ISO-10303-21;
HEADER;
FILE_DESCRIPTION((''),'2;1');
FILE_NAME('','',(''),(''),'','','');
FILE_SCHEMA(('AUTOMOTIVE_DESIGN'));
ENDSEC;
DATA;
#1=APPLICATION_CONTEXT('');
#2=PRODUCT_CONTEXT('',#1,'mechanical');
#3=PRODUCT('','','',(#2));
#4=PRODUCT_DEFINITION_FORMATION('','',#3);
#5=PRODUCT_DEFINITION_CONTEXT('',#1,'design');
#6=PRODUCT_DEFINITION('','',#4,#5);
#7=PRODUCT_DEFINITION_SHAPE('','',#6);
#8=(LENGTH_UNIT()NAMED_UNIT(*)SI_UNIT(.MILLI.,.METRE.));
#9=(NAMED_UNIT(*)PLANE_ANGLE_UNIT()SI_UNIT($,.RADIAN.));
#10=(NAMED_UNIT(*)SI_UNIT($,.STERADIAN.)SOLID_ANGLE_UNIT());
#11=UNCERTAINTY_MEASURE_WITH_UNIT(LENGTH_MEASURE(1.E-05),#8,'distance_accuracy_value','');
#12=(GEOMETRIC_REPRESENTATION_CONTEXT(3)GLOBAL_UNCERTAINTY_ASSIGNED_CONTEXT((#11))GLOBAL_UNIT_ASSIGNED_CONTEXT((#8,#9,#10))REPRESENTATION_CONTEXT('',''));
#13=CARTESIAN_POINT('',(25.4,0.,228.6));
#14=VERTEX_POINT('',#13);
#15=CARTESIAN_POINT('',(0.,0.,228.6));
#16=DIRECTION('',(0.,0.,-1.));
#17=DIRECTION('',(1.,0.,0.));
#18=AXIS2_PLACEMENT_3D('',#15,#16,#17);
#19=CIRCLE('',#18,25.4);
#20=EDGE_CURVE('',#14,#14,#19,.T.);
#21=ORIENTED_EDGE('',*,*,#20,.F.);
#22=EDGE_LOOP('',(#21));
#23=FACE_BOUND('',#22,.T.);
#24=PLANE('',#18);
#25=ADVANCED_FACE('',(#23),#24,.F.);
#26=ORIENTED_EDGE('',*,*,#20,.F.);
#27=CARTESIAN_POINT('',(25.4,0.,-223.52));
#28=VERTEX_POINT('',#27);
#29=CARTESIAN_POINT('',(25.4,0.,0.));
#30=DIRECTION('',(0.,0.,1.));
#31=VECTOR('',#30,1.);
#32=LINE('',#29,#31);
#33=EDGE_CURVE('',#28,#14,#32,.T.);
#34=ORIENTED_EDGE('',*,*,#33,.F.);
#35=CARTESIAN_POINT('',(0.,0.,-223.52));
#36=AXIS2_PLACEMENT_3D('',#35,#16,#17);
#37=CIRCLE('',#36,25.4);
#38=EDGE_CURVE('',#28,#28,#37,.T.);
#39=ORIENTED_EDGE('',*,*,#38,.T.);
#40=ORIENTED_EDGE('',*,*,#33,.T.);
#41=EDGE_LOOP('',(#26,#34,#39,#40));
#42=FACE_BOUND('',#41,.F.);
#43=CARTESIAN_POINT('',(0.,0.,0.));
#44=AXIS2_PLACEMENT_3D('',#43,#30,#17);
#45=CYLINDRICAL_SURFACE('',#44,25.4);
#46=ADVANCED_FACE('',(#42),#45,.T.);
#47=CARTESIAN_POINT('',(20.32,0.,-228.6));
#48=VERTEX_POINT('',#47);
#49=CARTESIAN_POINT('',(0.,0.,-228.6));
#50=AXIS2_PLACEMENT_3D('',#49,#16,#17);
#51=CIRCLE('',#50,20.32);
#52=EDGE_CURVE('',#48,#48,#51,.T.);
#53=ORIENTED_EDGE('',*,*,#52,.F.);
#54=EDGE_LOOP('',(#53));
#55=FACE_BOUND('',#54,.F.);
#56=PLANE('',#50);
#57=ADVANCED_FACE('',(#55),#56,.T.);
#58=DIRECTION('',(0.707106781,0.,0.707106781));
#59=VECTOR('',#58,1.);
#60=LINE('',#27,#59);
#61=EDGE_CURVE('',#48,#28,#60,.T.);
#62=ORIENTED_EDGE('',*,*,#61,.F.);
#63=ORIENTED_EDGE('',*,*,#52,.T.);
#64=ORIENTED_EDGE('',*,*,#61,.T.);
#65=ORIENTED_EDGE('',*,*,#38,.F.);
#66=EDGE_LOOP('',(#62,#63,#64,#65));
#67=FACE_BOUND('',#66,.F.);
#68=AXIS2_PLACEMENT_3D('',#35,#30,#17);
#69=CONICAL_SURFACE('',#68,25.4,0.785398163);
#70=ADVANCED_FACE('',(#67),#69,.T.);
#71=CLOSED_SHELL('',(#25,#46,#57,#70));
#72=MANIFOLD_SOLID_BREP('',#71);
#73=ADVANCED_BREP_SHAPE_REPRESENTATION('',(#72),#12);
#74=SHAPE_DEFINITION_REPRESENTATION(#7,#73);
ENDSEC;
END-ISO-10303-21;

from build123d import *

# Parameters (mm, degrees)
F0_W    = 25.4
F0_H    = 457.2
F2_SIZE = 5.08


with BuildPart() as f1:
    # F0 (on Front) → F1 (revolve)
    with BuildSketch(Plane.XZ):
        with Locations((12.7, 0)):
            Rectangle(F0_W, F0_H)
    revolve(axis=Axis((0, 0, 0), (0, 0, -1)))

    # F2
    f2_edges = [f1.edges().sort_by_distance(p)[0] for p in [
        (-25.4, 0, -228.6),
    ]]
    chamfer(f2_edges, length=F2_SIZE)


solid = f1.part
